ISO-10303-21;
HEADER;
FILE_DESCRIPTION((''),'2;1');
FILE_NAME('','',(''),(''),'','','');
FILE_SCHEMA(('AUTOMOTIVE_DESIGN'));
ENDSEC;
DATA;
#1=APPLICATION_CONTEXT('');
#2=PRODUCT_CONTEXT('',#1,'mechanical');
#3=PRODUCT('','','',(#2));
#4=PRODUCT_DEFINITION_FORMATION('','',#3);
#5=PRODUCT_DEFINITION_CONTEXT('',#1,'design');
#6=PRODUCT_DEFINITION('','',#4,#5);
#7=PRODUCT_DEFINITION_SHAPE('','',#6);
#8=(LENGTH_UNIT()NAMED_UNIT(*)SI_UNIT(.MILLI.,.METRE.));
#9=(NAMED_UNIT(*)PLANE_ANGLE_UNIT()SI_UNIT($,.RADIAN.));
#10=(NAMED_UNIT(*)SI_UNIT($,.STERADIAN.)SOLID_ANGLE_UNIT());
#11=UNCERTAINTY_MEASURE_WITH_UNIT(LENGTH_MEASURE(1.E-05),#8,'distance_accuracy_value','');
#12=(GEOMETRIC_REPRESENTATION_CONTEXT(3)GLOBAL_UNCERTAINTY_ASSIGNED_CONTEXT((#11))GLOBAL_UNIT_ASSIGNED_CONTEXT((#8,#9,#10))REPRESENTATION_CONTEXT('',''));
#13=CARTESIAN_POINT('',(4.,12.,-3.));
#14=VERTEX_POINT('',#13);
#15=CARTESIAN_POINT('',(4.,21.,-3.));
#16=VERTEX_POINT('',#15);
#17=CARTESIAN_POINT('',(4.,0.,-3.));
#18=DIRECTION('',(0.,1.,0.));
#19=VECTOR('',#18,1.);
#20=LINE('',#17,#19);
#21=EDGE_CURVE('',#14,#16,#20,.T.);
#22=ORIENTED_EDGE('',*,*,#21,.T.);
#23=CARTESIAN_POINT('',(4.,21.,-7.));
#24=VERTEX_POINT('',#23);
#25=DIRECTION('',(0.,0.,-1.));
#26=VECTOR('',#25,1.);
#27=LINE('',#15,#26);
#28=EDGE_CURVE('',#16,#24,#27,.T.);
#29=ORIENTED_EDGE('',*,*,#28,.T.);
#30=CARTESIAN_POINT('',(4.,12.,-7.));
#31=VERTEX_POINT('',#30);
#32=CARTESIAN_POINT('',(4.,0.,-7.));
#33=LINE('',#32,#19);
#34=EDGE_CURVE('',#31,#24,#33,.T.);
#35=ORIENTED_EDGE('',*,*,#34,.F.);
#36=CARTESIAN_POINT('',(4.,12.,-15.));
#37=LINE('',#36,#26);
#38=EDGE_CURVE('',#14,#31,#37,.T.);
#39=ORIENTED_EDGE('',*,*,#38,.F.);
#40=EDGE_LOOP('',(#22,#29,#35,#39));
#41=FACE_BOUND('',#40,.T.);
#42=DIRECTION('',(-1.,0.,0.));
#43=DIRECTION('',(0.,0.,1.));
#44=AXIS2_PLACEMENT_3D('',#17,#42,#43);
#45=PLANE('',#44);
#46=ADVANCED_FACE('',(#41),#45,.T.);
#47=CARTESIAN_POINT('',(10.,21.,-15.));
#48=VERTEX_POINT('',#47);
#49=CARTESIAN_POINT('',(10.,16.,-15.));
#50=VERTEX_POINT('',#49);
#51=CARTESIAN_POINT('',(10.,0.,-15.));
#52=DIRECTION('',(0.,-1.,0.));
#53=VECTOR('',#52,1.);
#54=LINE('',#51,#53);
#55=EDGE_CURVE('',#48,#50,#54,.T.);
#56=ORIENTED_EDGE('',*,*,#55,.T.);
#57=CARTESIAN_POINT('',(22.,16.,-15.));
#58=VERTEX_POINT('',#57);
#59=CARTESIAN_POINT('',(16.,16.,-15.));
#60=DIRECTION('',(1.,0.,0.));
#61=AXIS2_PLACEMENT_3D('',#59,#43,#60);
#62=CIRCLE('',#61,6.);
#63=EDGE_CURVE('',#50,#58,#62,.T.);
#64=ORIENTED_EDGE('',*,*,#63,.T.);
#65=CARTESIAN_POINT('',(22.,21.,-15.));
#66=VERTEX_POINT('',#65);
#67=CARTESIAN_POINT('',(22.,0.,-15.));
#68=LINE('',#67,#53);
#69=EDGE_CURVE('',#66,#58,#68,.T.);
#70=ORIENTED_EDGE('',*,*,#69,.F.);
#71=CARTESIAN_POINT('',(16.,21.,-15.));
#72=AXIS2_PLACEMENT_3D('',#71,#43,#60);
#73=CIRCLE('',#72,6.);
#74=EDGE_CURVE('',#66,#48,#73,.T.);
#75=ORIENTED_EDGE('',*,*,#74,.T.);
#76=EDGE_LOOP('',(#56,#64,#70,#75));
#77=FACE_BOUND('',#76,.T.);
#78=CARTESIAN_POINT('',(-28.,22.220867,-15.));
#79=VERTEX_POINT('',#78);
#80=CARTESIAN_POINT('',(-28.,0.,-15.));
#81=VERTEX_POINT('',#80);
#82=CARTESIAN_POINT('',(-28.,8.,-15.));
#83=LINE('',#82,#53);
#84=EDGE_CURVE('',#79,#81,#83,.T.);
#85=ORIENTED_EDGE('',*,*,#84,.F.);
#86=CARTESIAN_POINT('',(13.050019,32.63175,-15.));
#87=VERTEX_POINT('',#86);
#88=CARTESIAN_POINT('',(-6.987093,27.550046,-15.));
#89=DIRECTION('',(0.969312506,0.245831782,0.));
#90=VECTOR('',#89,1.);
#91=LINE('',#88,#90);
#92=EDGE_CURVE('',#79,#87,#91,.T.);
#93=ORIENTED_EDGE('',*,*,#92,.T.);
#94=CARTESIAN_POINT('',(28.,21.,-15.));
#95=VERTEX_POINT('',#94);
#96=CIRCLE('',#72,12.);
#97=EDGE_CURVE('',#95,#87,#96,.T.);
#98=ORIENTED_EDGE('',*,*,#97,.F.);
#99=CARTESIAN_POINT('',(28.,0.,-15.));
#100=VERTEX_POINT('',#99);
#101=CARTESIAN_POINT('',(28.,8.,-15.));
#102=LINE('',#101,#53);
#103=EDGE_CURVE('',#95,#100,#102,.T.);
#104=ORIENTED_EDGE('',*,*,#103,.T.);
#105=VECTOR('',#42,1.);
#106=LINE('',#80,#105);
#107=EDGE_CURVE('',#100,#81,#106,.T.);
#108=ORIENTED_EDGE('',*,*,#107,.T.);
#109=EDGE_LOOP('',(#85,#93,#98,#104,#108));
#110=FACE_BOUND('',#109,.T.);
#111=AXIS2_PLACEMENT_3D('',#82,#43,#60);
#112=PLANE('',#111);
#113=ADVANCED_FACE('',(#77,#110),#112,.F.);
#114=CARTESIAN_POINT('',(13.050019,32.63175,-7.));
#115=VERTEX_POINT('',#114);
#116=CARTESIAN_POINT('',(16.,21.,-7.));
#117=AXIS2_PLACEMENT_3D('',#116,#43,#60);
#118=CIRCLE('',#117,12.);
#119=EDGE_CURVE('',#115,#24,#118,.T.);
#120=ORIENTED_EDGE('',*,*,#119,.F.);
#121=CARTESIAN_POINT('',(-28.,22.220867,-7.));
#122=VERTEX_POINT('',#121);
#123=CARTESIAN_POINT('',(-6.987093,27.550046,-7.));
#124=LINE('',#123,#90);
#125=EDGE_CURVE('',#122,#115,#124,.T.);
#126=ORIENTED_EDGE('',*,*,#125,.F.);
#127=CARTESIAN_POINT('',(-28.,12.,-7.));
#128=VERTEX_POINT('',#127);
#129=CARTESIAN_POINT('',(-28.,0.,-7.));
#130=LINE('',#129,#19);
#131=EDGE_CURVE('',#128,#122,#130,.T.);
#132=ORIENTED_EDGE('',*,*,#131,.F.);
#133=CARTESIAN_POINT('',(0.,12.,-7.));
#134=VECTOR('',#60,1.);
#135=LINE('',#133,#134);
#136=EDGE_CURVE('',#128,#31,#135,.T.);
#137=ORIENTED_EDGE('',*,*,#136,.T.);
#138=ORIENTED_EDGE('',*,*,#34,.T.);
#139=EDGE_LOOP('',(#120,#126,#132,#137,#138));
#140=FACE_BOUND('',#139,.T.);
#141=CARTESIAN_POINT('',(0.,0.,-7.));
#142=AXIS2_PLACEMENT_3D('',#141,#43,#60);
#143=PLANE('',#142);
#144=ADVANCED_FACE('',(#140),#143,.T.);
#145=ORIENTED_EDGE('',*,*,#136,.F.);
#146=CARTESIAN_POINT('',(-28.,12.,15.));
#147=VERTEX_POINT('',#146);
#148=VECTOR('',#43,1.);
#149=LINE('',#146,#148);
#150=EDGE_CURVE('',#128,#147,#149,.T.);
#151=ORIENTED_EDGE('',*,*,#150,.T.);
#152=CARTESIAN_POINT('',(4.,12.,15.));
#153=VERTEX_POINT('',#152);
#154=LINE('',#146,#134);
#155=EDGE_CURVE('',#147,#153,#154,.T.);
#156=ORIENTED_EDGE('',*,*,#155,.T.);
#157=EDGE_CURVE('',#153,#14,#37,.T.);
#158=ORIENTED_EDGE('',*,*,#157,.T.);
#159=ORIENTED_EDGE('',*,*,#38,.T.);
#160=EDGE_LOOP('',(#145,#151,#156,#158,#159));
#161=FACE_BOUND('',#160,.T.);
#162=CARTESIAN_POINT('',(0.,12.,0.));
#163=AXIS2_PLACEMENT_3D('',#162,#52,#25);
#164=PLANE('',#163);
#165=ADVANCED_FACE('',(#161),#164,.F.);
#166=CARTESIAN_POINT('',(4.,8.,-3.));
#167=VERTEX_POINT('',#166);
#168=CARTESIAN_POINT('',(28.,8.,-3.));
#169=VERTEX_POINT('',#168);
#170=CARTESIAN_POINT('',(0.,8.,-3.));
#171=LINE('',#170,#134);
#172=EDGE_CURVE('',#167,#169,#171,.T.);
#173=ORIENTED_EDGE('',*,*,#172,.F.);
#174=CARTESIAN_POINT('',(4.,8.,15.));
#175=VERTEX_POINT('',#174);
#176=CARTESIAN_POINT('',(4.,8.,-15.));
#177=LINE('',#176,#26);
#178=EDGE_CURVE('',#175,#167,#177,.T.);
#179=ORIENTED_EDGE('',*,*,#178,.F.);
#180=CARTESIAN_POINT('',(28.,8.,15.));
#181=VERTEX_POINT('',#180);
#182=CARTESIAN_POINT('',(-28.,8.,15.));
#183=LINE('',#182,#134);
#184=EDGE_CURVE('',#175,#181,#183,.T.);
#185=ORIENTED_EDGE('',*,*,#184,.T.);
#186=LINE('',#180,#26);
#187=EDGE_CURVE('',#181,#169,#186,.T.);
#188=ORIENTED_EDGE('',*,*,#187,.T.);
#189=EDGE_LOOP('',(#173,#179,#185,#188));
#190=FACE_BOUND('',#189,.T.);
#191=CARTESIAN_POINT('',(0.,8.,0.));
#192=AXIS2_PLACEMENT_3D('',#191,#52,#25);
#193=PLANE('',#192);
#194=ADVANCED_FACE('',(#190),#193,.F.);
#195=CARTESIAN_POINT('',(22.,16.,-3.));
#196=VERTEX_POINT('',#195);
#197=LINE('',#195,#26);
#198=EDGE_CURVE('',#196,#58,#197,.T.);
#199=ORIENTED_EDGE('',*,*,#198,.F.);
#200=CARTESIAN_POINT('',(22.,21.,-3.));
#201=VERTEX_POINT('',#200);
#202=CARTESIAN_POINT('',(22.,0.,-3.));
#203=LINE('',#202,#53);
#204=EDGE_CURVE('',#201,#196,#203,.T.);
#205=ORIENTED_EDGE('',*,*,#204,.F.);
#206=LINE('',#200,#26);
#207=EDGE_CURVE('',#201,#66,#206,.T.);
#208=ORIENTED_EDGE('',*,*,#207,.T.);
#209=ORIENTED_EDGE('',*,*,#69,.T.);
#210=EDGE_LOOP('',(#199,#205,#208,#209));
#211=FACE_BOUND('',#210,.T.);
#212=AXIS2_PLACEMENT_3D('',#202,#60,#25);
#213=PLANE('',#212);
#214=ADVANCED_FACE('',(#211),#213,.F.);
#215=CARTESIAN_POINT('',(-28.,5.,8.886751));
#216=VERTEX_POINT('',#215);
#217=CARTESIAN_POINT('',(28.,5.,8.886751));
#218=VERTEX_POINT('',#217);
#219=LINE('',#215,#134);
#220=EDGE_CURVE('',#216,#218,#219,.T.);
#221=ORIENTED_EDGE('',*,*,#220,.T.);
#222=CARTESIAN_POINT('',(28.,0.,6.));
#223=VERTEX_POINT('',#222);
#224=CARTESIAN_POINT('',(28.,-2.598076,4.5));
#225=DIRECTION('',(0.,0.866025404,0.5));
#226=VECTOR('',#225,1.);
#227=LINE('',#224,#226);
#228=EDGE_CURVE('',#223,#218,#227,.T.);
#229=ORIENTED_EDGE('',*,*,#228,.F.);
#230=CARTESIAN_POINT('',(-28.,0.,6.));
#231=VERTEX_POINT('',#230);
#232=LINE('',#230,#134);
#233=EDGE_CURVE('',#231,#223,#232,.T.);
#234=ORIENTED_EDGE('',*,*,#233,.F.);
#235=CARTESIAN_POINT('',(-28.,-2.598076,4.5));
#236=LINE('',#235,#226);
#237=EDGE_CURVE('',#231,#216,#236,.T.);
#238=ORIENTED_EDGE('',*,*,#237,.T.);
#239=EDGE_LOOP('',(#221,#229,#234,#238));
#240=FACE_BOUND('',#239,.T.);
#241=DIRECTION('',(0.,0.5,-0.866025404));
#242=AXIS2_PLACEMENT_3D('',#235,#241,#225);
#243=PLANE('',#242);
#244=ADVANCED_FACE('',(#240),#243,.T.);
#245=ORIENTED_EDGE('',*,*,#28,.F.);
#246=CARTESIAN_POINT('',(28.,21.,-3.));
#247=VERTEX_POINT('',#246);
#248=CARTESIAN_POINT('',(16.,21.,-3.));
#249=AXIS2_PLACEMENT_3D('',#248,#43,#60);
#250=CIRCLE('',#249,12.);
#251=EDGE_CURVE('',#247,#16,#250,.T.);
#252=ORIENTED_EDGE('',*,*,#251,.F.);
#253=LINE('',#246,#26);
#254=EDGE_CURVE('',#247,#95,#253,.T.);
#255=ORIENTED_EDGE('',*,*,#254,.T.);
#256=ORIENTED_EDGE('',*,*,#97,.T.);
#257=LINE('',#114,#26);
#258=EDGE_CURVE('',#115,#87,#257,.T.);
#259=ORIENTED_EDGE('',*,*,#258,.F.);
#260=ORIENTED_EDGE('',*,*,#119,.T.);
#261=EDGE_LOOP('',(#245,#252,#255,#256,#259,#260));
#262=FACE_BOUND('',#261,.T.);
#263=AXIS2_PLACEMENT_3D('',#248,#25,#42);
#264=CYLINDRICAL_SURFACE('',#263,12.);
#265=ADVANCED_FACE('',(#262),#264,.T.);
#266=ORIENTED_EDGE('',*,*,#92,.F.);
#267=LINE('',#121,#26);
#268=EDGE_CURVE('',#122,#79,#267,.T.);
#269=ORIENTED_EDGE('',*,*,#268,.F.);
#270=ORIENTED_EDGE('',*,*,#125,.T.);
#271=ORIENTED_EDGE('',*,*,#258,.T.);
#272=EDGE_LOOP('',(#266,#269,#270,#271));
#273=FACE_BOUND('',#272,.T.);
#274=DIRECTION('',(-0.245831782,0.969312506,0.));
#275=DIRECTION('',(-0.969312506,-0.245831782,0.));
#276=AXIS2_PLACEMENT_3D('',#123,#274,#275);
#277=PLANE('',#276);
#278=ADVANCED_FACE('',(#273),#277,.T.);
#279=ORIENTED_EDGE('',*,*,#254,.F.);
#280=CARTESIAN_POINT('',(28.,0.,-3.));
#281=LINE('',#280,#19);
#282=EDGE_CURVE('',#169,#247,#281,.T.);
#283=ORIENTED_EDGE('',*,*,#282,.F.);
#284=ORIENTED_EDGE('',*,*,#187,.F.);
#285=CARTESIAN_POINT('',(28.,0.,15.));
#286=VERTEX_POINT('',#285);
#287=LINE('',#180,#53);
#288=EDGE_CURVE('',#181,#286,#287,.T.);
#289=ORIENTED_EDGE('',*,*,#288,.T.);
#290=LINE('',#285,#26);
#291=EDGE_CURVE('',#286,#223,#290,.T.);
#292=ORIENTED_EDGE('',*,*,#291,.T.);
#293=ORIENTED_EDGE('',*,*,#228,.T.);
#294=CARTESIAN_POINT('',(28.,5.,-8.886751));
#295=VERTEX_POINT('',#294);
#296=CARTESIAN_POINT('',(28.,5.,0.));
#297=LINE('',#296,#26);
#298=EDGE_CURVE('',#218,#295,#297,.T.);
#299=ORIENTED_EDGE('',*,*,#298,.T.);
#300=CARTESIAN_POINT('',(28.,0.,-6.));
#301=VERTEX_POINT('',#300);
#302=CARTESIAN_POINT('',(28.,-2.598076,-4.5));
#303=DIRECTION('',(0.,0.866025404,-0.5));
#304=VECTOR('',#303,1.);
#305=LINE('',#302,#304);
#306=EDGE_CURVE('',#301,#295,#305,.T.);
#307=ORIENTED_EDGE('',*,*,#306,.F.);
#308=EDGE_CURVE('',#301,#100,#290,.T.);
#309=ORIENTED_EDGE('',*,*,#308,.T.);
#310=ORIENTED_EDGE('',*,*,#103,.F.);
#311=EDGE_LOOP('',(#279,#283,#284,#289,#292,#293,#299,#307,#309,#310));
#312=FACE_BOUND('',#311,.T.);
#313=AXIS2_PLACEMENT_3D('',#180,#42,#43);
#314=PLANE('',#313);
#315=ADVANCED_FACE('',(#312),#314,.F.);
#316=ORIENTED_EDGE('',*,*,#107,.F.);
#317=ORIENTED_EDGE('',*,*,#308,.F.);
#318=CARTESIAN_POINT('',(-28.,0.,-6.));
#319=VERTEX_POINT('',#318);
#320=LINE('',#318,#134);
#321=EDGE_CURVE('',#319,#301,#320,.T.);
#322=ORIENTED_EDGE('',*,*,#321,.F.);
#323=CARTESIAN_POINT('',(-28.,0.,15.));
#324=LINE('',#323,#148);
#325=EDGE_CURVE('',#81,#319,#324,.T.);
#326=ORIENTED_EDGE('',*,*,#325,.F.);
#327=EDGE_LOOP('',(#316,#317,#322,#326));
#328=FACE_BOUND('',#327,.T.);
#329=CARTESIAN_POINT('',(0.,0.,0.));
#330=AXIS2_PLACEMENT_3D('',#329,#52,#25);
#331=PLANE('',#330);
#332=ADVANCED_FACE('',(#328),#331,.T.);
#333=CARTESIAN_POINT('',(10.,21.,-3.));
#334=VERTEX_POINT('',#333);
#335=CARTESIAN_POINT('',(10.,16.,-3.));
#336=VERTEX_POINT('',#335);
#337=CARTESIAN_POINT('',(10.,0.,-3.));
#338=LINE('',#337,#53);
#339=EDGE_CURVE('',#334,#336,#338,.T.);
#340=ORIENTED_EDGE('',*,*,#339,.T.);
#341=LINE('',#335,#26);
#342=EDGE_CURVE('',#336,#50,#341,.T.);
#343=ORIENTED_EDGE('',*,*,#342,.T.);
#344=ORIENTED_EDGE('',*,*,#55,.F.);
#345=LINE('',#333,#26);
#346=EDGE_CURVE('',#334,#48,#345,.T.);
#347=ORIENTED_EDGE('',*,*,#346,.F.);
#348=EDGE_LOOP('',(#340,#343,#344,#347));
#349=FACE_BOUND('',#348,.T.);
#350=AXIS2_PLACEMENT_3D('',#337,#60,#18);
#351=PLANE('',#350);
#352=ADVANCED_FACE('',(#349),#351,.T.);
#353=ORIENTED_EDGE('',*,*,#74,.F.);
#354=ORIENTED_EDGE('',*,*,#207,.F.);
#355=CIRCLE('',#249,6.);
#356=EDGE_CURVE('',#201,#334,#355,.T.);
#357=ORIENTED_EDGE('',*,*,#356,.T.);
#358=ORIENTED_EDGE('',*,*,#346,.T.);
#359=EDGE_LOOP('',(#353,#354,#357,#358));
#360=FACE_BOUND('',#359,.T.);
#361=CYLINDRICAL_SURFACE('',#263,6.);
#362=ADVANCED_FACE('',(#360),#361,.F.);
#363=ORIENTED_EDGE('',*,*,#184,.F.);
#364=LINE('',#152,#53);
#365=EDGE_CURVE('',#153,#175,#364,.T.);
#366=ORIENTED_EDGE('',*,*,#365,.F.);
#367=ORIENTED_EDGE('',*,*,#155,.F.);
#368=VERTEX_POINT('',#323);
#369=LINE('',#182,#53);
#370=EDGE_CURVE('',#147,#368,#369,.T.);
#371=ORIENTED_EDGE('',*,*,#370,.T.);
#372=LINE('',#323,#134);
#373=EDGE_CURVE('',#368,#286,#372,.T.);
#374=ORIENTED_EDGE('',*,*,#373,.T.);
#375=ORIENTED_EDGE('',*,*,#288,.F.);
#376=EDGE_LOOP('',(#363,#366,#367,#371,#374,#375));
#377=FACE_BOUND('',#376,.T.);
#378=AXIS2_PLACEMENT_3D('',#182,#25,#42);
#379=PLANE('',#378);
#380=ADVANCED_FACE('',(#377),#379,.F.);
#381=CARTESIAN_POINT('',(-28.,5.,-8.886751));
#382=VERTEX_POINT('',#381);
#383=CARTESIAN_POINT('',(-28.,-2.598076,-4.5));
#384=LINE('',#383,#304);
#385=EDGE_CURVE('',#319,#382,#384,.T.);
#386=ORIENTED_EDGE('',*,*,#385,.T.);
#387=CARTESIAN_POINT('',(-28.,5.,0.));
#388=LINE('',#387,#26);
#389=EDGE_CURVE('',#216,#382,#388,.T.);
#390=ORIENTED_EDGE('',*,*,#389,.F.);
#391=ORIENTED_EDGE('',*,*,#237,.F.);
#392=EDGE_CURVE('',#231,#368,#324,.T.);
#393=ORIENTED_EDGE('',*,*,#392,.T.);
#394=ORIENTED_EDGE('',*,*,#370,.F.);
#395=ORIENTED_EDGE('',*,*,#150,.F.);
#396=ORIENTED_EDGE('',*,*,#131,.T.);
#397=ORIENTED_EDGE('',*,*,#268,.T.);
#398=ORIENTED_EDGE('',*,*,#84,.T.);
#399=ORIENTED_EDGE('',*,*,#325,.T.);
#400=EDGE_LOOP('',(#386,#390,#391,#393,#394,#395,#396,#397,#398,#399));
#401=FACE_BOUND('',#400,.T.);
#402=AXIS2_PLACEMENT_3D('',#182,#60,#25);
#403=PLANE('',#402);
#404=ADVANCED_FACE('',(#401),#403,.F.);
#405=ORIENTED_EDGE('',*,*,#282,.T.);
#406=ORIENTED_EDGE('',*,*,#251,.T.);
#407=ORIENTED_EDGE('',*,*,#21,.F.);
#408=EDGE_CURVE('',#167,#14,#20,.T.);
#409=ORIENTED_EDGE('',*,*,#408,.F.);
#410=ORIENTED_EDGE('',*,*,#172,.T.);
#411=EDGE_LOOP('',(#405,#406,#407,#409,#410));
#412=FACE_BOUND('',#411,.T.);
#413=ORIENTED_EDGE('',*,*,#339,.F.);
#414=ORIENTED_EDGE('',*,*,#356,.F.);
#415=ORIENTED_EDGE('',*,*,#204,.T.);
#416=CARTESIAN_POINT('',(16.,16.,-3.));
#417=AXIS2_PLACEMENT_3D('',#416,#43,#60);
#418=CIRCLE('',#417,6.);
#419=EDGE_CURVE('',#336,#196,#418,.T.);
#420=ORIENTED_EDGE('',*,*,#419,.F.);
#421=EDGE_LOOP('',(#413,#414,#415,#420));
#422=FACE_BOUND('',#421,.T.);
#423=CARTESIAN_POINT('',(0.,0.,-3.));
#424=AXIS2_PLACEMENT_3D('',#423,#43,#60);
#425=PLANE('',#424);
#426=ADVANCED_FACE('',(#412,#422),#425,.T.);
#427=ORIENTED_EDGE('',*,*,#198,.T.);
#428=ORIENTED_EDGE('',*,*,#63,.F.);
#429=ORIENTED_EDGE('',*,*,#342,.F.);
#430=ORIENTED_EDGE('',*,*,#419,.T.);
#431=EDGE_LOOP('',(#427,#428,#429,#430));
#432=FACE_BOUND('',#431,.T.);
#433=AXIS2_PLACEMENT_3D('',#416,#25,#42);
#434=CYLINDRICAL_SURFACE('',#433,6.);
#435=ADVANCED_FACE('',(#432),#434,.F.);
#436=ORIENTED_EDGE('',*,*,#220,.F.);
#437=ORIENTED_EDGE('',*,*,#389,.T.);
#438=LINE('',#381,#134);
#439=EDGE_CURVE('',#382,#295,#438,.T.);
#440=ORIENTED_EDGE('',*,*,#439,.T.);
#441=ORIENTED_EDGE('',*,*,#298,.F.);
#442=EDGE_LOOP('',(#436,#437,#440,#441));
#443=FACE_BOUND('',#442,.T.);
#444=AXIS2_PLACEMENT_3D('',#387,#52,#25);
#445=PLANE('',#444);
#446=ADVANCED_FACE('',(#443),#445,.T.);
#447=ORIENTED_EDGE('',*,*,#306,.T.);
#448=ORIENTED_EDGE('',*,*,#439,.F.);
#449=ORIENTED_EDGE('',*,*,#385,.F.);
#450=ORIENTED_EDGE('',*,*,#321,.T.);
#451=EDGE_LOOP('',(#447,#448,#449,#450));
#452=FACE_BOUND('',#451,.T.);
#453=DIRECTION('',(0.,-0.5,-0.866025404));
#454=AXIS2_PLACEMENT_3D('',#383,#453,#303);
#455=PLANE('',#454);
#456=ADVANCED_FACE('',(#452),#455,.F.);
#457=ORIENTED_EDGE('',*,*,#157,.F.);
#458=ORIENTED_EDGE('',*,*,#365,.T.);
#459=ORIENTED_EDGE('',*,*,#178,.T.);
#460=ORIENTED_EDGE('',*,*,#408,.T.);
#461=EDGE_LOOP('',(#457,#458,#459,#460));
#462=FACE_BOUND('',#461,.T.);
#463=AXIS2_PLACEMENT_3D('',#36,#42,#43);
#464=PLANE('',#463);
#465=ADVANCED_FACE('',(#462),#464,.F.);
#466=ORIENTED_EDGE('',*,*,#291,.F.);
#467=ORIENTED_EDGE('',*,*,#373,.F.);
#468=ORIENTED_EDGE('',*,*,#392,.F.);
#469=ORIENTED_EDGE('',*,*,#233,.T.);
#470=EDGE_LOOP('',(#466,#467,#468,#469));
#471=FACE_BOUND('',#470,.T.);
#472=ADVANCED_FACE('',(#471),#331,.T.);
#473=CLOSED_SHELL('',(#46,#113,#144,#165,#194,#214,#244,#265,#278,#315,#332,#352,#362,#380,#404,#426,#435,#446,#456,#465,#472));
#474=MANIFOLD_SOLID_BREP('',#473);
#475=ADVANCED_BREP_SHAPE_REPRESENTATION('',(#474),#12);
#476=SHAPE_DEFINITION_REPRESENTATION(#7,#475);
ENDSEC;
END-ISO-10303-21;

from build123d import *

# Parameters (mm, degrees)
SKETCH_1_W               = 56
SKETCH_1_H               = 30
EXTRUDE_1_DEPTH          = 8
SKETCH_3_W               = 32
SKETCH_3_H               = 30
EXTRUDE_2_DEPTH          = 4
EXTRUDE_3_DEPTH          = 12
EXTRUDE_4_DEPTH          = 8
CUT_EXTRUDE_1_DEPTH      = 46.803929962
CUT_EXTRUDE_1_DEPTH_BACK = 46.803929962


with BuildPart() as part:
    # 草图1 → 凸台-拉伸1 (new body)
    with BuildSketch(Plane(origin=(0, 0, 0), x_dir=(1, 0, 0), z_dir=(0, 1, 0))):
        Rectangle(SKETCH_1_W, SKETCH_1_H)
    extrude(amount=EXTRUDE_1_DEPTH)

    # 草图3 → 凸台-拉伸2 (add)
    with BuildSketch(Plane(origin=(0, 8, 0), x_dir=(1, 0, 0), z_dir=(0, 1, 0))):
        with Locations((-12, 0)):
            Rectangle(SKETCH_3_W, SKETCH_3_H)
    extrude(amount=EXTRUDE_2_DEPTH)

    # 草图7 → 凸台-拉伸3 (add)
    with BuildSketch(Plane.XY.offset(-15)):
        with BuildLine():
            Line((4, 21), (4, 12))
            Line((4, 12), (4, 8))
            Line((4, 8), (28, 8))
            Line((28, 8), (28, 21))
            ThreePointArc((28, 21), (23.368860948, 30.471002499), (13.050018612, 32.631750075))
            ThreePointArc((13.050018612, 32.631750075), (6.528997501, 28.368860948), (4, 21))
        make_face()
        with BuildLine():
            ThreePointArc((10, 21), (16, 27), (22, 21))
            Line((22, 21), (22, 16))
            ThreePointArc((22, 16), (16, 10), (10, 16))
            Line((10, 16), (10, 21))
        make_face(mode=Mode.SUBTRACT)
    extrude(amount=EXTRUDE_3_DEPTH)

    # 草图7<4> → 凸台-拉伸4 (add)
    with BuildSketch(Plane.XY.offset(-15)):
        with BuildLine():
            Line((-28, 22.220866923), (-28, 12))
            Line((-28, 12), (4, 12))
            Line((4, 12), (4, 21))
            ThreePointArc((4, 21), (6.528997501, 28.368860948), (13.050018612, 32.631750075))
            Line((13.050018612, 32.631750075), (-28, 22.220866923))
        make_face()
    extrude(amount=EXTRUDE_4_DEPTH)

    # 草图13 → 切除-拉伸1 (cut, two sides: drawn at the far end of the back side and taken through both)
    with BuildSketch(Plane(origin=(0, 0, 0), x_dir=(0, 0, -1), z_dir=(1, 0, 0)).offset(-CUT_EXTRUDE_1_DEPTH_BACK)):
        Polygon((-6, 0), (0, 0), (6, 0), (8.886751346, 5), (-8.886751346, 5), align=None)
    extrude(amount=CUT_EXTRUDE_1_DEPTH + CUT_EXTRUDE_1_DEPTH_BACK, mode=Mode.SUBTRACT)


solid = part.part
